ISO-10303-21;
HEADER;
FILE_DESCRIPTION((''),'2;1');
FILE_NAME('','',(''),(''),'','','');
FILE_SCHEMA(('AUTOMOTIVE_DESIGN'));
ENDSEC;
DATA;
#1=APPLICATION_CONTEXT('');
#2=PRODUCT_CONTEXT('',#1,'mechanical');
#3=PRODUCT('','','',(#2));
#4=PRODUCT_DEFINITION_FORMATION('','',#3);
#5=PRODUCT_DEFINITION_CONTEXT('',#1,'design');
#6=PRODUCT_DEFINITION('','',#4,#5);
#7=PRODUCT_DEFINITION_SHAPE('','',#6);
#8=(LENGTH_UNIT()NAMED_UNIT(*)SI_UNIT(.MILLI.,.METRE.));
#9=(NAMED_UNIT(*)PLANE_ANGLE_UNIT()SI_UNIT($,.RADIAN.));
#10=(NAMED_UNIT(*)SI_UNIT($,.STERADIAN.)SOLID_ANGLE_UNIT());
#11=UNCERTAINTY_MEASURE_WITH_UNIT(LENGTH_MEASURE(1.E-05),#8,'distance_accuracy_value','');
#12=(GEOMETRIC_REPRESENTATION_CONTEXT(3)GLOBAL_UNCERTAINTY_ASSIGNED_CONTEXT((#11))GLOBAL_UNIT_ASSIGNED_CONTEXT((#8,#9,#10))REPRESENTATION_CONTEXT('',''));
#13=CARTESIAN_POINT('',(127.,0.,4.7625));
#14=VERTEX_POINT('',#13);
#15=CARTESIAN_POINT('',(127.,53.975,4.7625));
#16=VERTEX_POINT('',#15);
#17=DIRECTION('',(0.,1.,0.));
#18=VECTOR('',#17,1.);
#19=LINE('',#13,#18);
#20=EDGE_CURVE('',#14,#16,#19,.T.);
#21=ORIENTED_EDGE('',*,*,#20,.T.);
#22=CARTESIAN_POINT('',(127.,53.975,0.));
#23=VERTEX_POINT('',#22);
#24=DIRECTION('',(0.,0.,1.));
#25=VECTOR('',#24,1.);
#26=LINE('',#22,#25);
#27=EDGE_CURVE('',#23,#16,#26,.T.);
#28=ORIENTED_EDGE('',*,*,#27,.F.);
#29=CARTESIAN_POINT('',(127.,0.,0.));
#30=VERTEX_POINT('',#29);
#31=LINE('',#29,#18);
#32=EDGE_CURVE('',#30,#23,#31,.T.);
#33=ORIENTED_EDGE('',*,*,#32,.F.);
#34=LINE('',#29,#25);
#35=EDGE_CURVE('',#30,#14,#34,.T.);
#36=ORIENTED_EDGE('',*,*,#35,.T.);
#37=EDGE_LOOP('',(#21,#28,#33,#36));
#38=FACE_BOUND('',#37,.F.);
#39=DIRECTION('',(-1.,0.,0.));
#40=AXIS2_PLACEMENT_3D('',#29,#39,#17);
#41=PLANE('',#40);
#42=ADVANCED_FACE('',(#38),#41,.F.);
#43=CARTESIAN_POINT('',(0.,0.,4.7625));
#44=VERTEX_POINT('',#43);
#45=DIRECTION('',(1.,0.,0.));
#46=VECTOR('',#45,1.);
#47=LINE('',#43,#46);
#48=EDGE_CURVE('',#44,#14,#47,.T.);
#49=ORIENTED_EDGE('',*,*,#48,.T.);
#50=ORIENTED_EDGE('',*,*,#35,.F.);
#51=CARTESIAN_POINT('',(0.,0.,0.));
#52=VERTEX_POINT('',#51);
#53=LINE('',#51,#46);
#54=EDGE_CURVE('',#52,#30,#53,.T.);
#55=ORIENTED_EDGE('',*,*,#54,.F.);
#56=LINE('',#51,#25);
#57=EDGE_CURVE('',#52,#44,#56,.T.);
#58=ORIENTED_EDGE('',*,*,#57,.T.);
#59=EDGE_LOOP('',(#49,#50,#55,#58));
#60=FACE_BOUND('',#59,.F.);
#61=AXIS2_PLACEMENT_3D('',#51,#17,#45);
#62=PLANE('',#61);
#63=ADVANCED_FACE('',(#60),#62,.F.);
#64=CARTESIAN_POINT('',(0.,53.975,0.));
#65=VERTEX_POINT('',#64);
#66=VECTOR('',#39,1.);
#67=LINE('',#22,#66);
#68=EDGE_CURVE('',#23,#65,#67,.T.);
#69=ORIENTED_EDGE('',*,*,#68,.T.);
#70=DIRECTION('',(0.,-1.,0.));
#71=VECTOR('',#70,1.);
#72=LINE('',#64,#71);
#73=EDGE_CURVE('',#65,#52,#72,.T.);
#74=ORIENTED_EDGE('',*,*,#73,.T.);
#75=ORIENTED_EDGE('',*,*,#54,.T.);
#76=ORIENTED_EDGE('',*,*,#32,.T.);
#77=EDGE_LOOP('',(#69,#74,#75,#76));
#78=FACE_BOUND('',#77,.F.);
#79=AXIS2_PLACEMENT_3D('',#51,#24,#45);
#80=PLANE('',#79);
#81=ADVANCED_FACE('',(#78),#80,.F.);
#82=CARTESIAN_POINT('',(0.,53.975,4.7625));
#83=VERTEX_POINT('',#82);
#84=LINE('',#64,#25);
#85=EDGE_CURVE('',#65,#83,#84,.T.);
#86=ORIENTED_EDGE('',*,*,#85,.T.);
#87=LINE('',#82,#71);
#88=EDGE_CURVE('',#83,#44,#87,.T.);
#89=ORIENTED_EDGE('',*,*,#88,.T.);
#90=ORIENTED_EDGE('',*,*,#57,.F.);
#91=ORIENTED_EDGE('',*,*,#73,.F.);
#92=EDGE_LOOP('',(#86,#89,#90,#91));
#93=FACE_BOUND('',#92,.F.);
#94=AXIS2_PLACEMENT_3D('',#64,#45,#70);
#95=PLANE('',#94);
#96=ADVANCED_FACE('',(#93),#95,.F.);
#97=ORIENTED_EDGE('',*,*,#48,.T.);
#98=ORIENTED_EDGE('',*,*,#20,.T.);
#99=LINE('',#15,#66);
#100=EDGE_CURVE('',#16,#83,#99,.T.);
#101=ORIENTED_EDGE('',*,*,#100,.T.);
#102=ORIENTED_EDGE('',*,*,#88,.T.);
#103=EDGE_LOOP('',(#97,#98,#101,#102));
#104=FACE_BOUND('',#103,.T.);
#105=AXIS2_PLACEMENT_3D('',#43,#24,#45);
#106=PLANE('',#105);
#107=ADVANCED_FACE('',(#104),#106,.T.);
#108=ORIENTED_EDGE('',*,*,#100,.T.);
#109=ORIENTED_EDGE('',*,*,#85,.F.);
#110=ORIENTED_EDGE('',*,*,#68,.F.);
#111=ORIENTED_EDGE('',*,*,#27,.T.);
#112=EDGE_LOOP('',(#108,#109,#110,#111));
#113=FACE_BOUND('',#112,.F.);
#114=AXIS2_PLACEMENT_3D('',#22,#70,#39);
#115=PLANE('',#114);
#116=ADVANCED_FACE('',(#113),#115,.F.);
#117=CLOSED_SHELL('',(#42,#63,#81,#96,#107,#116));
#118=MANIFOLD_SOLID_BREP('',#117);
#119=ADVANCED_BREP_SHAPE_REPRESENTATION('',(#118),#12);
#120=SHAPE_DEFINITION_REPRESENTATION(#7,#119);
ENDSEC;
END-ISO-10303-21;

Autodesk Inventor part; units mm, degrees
ref_plane "YZ Plane" through (0, 0, 0) normal (1, 0, 0) x (0, 1, 0)
ref_plane "XZ Plane" through (0, 0, 0) normal (0, 1, 0) x (-1, 0, 0)
ref_plane "XY Plane" through (0, 0, 0) normal (0, 0, 1) x (1, 0, 0)
sketch "Sketch1" plane through (0, 0, 0) normal (0, 0, 1) x (1, 0, 0)
  line L0 (0, 0) -> (127, 0)
  line L1 (127, 0) -> (127, 53.975)
  line L2 (127, 53.975) -> (0, 53.975)
  line L3 (0, 53.975) -> (0, 0)
  dimension "d0" = 127
  dimension "d1" = 53.975
extrude "Extrusion1" add sketch "Sketch1" along normal blind 4.7625
properties part number "Bottom"
